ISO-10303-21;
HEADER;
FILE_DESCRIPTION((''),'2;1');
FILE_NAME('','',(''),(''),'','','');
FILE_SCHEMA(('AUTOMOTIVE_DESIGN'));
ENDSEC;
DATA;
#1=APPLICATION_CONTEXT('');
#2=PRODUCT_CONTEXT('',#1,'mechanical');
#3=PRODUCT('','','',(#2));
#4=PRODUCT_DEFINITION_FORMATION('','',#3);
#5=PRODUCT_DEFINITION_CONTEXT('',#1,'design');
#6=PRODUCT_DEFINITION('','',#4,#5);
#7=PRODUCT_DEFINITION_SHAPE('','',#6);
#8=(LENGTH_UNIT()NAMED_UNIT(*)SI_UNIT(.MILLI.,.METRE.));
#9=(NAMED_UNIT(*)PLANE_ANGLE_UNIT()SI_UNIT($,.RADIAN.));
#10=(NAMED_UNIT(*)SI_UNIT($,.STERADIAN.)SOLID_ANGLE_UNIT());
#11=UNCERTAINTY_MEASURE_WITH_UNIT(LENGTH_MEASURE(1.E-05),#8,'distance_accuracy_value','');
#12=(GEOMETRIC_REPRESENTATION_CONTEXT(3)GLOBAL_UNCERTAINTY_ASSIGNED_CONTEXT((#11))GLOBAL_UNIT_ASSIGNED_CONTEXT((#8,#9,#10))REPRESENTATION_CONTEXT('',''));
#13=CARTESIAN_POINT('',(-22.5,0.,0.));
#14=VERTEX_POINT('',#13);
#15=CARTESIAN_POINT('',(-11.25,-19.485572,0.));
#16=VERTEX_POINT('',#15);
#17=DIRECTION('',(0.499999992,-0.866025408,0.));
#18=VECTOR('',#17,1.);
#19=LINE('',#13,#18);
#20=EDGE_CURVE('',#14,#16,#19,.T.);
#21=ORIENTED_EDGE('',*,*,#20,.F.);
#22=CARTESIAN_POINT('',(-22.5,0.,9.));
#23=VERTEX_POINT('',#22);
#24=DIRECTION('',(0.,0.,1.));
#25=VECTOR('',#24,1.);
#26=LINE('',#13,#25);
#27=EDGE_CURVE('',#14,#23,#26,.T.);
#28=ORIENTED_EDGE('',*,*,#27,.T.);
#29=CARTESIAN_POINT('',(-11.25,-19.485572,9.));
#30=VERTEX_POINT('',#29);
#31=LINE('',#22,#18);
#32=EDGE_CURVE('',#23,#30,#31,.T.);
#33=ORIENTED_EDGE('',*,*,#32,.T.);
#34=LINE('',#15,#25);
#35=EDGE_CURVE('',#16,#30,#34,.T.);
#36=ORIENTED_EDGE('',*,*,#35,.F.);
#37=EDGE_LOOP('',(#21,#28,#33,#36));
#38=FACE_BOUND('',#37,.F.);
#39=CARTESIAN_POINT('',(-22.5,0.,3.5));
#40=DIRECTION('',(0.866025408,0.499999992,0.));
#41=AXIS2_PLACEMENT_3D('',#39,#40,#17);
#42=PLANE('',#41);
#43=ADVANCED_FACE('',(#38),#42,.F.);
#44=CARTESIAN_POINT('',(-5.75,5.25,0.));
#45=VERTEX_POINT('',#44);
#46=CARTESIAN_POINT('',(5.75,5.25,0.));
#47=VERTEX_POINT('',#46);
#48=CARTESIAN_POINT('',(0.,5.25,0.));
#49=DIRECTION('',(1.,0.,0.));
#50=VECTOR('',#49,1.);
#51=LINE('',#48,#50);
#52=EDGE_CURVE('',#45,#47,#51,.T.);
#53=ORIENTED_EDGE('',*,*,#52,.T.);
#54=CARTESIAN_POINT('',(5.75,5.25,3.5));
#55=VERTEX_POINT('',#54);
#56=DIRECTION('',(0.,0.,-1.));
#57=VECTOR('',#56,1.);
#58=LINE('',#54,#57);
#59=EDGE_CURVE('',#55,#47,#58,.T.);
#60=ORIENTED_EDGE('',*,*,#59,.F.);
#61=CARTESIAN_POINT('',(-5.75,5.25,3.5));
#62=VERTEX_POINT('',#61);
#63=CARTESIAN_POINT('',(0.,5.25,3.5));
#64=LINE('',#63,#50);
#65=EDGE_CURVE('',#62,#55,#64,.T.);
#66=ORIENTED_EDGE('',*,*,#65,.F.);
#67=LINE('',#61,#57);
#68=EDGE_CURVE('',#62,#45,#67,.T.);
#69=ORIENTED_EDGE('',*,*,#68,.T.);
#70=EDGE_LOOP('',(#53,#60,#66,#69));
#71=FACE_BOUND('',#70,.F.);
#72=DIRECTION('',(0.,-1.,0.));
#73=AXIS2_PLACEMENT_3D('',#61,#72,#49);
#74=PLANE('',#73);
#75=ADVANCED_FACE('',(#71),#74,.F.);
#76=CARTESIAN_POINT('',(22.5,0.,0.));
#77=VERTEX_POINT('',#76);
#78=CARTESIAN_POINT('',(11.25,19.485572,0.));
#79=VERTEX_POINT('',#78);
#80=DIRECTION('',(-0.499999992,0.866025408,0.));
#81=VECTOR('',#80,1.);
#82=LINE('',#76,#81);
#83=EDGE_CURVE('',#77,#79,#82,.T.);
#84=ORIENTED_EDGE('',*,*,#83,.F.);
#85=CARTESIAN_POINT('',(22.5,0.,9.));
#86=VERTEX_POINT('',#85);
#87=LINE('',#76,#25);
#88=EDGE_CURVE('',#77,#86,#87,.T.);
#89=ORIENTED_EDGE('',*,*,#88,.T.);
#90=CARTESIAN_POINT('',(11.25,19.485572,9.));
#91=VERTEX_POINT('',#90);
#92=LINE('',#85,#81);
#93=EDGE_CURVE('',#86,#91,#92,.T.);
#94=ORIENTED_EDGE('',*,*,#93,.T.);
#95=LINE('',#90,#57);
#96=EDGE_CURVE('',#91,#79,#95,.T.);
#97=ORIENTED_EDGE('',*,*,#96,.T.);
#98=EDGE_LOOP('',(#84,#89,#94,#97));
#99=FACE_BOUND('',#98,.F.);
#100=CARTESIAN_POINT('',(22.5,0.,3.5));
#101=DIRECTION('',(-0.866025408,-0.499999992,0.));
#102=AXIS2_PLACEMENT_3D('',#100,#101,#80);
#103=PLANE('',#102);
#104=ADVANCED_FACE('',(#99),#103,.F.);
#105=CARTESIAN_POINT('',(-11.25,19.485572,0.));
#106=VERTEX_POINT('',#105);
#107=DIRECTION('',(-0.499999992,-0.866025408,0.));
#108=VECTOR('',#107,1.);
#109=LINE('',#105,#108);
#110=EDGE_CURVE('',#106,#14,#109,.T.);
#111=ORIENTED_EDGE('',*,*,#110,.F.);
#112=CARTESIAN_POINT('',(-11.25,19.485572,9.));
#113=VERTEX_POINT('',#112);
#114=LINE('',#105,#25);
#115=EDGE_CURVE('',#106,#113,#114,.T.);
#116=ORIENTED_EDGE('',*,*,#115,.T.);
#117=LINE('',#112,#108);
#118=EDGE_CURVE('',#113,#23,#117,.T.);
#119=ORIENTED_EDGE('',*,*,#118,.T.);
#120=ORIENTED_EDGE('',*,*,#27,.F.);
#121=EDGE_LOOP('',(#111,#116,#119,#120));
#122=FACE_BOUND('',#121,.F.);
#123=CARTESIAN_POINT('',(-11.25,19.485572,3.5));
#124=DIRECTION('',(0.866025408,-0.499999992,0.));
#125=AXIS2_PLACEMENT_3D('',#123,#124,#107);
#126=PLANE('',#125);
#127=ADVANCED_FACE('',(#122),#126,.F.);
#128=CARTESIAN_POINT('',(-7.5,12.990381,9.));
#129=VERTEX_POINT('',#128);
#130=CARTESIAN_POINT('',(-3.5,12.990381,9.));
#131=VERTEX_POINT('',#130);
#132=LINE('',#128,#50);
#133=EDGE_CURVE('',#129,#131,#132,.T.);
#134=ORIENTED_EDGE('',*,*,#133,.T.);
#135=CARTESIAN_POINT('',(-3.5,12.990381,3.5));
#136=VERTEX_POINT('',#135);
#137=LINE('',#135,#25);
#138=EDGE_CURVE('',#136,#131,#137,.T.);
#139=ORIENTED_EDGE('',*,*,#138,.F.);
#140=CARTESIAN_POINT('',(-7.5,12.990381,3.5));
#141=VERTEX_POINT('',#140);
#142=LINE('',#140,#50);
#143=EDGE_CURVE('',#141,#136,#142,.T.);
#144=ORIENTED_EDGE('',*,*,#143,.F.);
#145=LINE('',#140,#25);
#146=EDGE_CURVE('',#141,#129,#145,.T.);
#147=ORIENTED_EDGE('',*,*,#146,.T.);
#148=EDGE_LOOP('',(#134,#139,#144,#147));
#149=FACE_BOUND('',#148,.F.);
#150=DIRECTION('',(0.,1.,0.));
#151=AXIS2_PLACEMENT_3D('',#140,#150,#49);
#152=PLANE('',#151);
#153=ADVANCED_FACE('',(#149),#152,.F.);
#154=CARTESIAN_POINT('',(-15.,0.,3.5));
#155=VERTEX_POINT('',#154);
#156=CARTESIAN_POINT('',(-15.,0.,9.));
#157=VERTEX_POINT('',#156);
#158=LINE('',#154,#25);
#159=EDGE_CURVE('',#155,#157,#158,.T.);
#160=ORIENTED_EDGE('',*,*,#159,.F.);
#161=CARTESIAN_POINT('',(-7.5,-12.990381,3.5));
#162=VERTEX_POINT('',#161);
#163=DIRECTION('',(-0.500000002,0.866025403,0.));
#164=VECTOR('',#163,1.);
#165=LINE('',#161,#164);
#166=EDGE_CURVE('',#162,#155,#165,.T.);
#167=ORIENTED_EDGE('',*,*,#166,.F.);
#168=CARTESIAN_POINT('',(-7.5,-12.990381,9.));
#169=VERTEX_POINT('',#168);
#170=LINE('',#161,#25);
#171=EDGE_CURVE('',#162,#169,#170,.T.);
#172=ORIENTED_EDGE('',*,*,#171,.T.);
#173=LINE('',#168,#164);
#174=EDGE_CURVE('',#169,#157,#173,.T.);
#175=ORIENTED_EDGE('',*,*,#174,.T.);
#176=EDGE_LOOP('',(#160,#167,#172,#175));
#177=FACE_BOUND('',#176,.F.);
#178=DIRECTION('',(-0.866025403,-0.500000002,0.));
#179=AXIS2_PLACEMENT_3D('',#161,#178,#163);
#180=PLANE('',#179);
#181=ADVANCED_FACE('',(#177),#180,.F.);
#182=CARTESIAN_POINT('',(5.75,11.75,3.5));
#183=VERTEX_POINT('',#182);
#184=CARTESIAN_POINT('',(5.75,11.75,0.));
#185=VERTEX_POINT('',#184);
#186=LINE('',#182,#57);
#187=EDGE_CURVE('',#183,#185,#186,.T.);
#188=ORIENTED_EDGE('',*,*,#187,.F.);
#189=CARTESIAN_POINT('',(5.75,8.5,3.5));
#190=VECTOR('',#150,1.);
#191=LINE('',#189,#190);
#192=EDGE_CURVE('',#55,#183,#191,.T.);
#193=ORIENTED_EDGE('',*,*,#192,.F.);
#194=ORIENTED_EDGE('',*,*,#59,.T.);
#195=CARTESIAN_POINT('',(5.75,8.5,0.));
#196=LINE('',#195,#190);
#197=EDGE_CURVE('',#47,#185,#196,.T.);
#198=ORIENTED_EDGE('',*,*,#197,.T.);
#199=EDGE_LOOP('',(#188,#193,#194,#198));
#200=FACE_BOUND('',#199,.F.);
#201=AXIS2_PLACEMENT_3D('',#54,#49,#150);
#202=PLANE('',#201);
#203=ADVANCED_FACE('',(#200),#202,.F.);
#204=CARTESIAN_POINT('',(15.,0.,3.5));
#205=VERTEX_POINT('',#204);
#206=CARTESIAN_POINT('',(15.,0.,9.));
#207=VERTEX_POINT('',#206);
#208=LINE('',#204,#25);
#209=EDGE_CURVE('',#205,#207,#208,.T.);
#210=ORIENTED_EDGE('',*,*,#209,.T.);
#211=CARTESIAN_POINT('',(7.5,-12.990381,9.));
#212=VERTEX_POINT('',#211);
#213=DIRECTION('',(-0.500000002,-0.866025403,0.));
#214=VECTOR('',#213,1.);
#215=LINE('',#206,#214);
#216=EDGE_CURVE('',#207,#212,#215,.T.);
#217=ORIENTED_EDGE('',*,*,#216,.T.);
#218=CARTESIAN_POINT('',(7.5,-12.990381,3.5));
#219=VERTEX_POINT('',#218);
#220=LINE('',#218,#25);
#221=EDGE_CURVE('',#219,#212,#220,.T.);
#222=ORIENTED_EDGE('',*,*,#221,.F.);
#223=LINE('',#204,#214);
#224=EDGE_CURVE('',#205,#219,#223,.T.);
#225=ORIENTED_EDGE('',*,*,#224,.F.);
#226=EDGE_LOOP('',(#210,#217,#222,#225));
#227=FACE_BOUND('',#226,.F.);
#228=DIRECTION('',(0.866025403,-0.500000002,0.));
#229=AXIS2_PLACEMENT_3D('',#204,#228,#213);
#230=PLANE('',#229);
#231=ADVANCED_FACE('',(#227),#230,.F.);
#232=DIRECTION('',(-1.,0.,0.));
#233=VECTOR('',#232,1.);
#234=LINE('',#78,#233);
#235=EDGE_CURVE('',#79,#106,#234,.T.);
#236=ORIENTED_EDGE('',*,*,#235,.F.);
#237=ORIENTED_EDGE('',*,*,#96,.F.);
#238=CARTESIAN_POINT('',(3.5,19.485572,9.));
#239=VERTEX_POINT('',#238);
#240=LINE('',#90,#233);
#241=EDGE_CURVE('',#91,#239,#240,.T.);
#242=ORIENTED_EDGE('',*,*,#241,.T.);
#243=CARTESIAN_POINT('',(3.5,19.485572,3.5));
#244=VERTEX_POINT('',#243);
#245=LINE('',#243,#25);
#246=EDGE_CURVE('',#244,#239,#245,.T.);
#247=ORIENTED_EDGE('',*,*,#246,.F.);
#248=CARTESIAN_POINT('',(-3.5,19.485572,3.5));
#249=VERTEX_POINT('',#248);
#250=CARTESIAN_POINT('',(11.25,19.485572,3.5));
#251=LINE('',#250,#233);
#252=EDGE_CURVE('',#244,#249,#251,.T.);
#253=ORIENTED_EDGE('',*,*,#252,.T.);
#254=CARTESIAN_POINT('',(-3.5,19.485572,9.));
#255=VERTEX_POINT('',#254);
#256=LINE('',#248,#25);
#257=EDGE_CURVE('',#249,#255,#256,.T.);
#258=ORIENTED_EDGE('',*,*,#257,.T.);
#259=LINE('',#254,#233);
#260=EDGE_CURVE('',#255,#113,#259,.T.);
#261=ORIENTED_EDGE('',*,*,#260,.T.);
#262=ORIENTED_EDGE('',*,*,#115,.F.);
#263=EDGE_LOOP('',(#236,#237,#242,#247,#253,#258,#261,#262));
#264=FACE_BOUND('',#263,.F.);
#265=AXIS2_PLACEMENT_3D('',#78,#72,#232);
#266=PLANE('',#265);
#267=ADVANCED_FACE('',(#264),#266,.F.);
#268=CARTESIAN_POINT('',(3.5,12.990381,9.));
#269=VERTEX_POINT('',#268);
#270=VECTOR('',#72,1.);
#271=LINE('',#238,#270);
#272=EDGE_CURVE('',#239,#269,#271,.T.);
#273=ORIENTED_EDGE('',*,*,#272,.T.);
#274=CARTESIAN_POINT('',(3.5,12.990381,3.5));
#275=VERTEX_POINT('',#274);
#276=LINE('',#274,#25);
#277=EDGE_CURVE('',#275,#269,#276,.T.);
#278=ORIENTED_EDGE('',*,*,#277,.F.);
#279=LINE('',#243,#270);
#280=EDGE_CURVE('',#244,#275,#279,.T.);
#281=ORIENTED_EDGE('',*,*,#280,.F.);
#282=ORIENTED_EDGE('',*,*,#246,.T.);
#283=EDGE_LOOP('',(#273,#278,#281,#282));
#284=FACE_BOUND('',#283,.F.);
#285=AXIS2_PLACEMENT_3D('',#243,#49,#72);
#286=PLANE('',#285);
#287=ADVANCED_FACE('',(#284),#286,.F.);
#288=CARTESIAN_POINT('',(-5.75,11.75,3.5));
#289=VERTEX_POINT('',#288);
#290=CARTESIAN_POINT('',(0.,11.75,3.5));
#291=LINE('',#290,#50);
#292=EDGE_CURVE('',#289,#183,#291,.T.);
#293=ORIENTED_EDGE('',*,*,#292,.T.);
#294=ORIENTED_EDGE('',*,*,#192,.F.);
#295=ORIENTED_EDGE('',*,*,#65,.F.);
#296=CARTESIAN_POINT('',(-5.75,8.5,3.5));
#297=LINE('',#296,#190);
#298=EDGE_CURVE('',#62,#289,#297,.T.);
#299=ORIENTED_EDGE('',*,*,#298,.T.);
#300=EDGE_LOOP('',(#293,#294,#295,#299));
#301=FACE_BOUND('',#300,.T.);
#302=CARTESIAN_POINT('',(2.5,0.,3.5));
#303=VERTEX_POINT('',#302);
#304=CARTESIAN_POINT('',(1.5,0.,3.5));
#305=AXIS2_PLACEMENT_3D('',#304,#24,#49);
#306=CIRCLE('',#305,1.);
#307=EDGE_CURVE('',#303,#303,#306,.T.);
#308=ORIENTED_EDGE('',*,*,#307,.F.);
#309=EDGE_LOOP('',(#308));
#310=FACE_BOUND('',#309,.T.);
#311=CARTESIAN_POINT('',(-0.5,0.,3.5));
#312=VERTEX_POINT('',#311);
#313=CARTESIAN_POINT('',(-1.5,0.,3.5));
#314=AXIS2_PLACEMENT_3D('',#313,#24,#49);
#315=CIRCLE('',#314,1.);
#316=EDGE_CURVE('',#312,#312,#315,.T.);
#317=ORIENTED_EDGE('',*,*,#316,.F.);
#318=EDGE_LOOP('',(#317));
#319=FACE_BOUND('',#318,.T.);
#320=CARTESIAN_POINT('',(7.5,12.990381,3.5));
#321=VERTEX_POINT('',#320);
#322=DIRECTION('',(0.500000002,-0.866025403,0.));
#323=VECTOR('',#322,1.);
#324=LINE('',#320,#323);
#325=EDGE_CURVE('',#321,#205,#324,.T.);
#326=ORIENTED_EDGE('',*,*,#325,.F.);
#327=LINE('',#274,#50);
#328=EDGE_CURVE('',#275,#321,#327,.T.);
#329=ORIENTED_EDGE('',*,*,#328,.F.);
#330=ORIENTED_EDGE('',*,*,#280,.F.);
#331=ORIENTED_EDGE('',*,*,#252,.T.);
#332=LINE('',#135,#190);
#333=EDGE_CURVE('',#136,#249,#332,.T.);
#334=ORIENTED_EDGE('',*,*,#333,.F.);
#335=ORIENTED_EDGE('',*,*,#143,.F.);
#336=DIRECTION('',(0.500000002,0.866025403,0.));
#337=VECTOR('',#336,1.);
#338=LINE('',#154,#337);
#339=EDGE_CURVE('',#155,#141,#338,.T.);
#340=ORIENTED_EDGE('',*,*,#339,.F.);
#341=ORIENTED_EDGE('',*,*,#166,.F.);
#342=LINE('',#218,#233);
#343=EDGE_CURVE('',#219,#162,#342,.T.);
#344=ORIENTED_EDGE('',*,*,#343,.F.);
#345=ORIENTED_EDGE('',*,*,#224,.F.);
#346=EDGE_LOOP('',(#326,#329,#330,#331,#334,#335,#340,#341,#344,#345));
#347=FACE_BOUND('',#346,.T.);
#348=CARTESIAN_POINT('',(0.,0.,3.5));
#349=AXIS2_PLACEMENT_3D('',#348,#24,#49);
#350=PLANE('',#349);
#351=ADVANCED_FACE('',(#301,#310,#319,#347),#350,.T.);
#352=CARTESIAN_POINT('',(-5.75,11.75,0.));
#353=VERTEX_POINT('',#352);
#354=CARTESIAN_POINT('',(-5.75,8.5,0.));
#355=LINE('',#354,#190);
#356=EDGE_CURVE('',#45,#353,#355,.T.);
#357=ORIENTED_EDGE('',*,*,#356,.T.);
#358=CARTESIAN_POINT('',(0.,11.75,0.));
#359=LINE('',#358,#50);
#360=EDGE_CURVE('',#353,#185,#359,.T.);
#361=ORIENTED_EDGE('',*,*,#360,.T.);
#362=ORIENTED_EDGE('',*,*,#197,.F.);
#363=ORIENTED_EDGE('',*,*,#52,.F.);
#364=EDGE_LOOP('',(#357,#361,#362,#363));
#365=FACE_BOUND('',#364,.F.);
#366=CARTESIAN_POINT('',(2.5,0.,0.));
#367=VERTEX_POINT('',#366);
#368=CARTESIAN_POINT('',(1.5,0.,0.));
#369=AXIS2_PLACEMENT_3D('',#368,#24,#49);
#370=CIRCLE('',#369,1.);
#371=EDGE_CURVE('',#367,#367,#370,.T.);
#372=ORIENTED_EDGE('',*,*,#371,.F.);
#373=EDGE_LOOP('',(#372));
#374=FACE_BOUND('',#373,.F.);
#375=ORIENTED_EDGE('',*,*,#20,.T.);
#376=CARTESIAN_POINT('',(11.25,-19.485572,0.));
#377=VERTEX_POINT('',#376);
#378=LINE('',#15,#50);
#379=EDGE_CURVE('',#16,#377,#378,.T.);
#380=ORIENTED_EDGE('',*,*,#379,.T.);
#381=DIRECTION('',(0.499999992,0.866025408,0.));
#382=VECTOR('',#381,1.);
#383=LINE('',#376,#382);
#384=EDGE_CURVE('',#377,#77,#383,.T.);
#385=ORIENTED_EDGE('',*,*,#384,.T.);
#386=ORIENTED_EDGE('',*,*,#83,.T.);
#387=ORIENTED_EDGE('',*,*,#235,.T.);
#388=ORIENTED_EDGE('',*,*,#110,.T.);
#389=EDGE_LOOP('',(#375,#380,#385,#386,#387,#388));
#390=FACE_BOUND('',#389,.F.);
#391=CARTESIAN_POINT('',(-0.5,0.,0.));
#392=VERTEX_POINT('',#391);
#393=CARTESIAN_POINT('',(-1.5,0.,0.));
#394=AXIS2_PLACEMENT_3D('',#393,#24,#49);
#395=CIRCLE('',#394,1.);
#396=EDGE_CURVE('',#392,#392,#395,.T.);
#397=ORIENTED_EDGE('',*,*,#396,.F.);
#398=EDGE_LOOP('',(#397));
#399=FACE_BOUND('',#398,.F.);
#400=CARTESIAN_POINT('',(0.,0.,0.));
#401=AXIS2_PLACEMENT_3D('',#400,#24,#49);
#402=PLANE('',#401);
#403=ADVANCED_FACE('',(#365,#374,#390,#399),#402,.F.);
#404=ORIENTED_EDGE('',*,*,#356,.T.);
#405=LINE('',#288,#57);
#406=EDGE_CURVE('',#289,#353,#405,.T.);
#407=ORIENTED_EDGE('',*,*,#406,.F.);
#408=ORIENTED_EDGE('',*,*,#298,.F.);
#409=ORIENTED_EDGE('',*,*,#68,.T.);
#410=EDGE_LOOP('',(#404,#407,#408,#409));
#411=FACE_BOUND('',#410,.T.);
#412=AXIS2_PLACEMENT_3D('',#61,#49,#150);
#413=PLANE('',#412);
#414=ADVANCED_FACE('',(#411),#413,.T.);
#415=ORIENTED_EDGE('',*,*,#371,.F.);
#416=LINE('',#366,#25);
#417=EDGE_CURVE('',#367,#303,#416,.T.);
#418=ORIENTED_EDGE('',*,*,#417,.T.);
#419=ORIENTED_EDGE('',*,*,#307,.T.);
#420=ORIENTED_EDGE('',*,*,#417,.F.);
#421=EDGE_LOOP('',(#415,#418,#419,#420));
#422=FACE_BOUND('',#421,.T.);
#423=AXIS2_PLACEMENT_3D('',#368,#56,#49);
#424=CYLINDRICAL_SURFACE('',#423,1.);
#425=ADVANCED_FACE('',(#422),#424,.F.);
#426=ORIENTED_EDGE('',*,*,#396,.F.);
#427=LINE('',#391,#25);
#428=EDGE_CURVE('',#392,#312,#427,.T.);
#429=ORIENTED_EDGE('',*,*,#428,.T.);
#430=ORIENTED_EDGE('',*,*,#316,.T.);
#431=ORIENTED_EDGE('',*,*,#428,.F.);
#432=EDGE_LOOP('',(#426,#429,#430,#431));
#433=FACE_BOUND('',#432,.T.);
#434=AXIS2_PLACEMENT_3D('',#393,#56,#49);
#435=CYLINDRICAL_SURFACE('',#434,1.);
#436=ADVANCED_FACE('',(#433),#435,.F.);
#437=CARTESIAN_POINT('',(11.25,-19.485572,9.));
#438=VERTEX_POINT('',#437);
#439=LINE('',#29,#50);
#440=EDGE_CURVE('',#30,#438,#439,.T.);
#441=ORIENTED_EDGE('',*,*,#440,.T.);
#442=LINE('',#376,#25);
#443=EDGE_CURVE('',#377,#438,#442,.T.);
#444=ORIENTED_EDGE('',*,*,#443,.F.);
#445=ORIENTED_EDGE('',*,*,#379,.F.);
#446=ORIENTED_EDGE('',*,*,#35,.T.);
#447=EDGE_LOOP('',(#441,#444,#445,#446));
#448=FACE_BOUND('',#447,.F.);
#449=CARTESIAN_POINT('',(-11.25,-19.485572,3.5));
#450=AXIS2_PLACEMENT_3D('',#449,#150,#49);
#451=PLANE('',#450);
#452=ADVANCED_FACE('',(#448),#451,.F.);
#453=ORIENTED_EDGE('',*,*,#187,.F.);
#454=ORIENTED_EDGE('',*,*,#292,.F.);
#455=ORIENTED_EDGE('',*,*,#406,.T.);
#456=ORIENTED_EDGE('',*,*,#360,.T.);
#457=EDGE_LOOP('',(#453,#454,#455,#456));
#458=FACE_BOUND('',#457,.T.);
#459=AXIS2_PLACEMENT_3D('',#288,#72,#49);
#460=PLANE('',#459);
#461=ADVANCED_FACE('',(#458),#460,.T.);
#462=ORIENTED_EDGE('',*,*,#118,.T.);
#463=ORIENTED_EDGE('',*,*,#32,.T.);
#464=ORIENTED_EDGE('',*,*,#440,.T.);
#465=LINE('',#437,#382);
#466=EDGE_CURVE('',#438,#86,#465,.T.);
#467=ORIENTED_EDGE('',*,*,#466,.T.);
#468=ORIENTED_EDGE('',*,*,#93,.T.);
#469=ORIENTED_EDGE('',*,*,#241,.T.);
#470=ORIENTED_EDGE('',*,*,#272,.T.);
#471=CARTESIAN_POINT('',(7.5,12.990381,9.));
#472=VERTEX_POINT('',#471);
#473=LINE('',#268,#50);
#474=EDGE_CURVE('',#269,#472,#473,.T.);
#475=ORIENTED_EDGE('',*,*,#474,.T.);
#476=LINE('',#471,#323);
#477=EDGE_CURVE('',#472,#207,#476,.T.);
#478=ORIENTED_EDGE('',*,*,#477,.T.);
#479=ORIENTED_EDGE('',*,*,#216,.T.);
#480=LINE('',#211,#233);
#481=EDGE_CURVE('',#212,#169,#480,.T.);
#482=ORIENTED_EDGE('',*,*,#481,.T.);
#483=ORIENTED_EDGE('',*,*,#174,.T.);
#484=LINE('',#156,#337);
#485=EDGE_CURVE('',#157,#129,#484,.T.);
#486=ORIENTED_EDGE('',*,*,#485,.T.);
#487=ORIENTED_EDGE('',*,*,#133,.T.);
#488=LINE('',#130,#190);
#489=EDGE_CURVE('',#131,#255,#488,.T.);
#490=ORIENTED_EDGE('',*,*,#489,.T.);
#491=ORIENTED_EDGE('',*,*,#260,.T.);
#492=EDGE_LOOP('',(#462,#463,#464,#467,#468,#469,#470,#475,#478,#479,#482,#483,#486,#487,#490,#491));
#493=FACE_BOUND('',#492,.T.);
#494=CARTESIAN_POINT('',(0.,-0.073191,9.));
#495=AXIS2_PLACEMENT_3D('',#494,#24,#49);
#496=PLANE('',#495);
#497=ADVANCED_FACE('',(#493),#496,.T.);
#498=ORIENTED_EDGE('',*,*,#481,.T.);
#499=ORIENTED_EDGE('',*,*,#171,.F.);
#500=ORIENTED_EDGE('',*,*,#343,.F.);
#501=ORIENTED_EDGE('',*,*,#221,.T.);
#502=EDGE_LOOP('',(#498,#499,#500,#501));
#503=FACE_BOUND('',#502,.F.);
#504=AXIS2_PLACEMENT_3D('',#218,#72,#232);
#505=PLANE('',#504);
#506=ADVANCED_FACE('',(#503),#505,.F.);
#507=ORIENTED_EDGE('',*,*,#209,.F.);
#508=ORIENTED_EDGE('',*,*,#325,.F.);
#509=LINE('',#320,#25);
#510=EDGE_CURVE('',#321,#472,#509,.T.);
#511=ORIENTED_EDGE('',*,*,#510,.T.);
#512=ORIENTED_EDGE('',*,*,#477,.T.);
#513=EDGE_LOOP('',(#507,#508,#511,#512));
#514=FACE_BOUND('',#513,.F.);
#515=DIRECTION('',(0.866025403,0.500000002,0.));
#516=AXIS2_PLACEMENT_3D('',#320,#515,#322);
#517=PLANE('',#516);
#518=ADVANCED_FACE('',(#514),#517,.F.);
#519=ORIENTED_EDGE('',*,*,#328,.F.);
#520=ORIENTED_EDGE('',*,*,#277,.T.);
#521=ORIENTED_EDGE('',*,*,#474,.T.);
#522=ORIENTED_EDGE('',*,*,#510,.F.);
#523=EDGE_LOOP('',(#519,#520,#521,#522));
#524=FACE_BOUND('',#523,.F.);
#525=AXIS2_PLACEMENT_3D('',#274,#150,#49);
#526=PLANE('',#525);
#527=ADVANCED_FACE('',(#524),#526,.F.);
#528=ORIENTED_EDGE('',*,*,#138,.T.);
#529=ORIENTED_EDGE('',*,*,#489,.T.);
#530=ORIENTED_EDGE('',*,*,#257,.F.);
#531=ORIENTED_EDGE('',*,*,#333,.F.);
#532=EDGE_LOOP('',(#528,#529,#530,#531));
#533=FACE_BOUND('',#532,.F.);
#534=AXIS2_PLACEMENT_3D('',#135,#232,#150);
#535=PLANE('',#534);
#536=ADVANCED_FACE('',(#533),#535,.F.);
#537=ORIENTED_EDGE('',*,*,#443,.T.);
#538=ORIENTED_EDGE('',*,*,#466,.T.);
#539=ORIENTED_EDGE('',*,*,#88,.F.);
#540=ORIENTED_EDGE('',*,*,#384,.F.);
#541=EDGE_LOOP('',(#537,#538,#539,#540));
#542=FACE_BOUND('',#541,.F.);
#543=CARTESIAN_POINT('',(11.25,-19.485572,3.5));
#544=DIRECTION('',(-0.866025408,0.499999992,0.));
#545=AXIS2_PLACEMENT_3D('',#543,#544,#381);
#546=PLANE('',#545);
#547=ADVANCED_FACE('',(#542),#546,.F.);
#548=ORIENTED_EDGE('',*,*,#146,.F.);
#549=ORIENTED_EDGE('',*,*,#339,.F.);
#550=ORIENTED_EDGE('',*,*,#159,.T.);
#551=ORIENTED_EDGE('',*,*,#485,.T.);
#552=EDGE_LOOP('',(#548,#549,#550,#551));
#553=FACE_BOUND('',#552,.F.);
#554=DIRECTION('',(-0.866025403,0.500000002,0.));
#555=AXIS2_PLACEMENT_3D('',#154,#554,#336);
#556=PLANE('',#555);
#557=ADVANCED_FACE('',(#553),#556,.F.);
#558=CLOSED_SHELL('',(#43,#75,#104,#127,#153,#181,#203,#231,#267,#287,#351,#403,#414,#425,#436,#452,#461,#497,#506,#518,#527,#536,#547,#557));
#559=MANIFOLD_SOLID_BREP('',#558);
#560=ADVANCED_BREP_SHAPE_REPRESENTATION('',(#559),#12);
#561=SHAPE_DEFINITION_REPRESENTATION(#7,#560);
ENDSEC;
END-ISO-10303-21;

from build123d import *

# Parameters (mm, degrees)
F0_R     = 1
F1_DEPTH = 3.5
F3_DEPTH = 5.5
F4_W     = 11.5
F4_H     = 6.5
F5_DEPTH = 3.5


with BuildPart() as f1:
    # F0 (on Top) → F1 (new body)
    with BuildSketch(Plane.XY):
        Polygon((11.25, -19.485572), (22.5, 0), (11.25, 19.485572), (-11.25, 19.485572), (-22.5, 0), (-11.25, -19.485572), align=None)
        with Locations((-1.5, 0)):
            Circle(F0_R, mode=Mode.SUBTRACT)
        with Locations((1.5, 0)):
            Circle(F0_R, mode=Mode.SUBTRACT)
    extrude(amount=F1_DEPTH)

    # F2 (on face) → F3 (join)
    with BuildSketch(Plane.XY.offset(3.5)):
        Polygon((7.5, 12.990381), (15, 0), (7.5, -12.990381), (-7.5, -12.990381), (-15, 0), (-7.5, 12.990381), (-3.5, 12.990381), (-3.5, 19.485572), (-11.25, 19.485572), (-22.5, 0), (-11.25, -19.485572), (11.25, -19.485572), (22.5, 0), (11.25, 19.485572), (3.5, 19.485572), (3.5, 12.990381), align=None)
    extrude(amount=F3_DEPTH)

    # F4 (on face) → F5 (cut, through all)
    with BuildSketch(Plane.XY.offset(3.5)):
        with Locations((0, 8.5)):
            Rectangle(F4_W, F4_H)
    extrude(amount=-F5_DEPTH, mode=Mode.SUBTRACT)


solid = f1.part
